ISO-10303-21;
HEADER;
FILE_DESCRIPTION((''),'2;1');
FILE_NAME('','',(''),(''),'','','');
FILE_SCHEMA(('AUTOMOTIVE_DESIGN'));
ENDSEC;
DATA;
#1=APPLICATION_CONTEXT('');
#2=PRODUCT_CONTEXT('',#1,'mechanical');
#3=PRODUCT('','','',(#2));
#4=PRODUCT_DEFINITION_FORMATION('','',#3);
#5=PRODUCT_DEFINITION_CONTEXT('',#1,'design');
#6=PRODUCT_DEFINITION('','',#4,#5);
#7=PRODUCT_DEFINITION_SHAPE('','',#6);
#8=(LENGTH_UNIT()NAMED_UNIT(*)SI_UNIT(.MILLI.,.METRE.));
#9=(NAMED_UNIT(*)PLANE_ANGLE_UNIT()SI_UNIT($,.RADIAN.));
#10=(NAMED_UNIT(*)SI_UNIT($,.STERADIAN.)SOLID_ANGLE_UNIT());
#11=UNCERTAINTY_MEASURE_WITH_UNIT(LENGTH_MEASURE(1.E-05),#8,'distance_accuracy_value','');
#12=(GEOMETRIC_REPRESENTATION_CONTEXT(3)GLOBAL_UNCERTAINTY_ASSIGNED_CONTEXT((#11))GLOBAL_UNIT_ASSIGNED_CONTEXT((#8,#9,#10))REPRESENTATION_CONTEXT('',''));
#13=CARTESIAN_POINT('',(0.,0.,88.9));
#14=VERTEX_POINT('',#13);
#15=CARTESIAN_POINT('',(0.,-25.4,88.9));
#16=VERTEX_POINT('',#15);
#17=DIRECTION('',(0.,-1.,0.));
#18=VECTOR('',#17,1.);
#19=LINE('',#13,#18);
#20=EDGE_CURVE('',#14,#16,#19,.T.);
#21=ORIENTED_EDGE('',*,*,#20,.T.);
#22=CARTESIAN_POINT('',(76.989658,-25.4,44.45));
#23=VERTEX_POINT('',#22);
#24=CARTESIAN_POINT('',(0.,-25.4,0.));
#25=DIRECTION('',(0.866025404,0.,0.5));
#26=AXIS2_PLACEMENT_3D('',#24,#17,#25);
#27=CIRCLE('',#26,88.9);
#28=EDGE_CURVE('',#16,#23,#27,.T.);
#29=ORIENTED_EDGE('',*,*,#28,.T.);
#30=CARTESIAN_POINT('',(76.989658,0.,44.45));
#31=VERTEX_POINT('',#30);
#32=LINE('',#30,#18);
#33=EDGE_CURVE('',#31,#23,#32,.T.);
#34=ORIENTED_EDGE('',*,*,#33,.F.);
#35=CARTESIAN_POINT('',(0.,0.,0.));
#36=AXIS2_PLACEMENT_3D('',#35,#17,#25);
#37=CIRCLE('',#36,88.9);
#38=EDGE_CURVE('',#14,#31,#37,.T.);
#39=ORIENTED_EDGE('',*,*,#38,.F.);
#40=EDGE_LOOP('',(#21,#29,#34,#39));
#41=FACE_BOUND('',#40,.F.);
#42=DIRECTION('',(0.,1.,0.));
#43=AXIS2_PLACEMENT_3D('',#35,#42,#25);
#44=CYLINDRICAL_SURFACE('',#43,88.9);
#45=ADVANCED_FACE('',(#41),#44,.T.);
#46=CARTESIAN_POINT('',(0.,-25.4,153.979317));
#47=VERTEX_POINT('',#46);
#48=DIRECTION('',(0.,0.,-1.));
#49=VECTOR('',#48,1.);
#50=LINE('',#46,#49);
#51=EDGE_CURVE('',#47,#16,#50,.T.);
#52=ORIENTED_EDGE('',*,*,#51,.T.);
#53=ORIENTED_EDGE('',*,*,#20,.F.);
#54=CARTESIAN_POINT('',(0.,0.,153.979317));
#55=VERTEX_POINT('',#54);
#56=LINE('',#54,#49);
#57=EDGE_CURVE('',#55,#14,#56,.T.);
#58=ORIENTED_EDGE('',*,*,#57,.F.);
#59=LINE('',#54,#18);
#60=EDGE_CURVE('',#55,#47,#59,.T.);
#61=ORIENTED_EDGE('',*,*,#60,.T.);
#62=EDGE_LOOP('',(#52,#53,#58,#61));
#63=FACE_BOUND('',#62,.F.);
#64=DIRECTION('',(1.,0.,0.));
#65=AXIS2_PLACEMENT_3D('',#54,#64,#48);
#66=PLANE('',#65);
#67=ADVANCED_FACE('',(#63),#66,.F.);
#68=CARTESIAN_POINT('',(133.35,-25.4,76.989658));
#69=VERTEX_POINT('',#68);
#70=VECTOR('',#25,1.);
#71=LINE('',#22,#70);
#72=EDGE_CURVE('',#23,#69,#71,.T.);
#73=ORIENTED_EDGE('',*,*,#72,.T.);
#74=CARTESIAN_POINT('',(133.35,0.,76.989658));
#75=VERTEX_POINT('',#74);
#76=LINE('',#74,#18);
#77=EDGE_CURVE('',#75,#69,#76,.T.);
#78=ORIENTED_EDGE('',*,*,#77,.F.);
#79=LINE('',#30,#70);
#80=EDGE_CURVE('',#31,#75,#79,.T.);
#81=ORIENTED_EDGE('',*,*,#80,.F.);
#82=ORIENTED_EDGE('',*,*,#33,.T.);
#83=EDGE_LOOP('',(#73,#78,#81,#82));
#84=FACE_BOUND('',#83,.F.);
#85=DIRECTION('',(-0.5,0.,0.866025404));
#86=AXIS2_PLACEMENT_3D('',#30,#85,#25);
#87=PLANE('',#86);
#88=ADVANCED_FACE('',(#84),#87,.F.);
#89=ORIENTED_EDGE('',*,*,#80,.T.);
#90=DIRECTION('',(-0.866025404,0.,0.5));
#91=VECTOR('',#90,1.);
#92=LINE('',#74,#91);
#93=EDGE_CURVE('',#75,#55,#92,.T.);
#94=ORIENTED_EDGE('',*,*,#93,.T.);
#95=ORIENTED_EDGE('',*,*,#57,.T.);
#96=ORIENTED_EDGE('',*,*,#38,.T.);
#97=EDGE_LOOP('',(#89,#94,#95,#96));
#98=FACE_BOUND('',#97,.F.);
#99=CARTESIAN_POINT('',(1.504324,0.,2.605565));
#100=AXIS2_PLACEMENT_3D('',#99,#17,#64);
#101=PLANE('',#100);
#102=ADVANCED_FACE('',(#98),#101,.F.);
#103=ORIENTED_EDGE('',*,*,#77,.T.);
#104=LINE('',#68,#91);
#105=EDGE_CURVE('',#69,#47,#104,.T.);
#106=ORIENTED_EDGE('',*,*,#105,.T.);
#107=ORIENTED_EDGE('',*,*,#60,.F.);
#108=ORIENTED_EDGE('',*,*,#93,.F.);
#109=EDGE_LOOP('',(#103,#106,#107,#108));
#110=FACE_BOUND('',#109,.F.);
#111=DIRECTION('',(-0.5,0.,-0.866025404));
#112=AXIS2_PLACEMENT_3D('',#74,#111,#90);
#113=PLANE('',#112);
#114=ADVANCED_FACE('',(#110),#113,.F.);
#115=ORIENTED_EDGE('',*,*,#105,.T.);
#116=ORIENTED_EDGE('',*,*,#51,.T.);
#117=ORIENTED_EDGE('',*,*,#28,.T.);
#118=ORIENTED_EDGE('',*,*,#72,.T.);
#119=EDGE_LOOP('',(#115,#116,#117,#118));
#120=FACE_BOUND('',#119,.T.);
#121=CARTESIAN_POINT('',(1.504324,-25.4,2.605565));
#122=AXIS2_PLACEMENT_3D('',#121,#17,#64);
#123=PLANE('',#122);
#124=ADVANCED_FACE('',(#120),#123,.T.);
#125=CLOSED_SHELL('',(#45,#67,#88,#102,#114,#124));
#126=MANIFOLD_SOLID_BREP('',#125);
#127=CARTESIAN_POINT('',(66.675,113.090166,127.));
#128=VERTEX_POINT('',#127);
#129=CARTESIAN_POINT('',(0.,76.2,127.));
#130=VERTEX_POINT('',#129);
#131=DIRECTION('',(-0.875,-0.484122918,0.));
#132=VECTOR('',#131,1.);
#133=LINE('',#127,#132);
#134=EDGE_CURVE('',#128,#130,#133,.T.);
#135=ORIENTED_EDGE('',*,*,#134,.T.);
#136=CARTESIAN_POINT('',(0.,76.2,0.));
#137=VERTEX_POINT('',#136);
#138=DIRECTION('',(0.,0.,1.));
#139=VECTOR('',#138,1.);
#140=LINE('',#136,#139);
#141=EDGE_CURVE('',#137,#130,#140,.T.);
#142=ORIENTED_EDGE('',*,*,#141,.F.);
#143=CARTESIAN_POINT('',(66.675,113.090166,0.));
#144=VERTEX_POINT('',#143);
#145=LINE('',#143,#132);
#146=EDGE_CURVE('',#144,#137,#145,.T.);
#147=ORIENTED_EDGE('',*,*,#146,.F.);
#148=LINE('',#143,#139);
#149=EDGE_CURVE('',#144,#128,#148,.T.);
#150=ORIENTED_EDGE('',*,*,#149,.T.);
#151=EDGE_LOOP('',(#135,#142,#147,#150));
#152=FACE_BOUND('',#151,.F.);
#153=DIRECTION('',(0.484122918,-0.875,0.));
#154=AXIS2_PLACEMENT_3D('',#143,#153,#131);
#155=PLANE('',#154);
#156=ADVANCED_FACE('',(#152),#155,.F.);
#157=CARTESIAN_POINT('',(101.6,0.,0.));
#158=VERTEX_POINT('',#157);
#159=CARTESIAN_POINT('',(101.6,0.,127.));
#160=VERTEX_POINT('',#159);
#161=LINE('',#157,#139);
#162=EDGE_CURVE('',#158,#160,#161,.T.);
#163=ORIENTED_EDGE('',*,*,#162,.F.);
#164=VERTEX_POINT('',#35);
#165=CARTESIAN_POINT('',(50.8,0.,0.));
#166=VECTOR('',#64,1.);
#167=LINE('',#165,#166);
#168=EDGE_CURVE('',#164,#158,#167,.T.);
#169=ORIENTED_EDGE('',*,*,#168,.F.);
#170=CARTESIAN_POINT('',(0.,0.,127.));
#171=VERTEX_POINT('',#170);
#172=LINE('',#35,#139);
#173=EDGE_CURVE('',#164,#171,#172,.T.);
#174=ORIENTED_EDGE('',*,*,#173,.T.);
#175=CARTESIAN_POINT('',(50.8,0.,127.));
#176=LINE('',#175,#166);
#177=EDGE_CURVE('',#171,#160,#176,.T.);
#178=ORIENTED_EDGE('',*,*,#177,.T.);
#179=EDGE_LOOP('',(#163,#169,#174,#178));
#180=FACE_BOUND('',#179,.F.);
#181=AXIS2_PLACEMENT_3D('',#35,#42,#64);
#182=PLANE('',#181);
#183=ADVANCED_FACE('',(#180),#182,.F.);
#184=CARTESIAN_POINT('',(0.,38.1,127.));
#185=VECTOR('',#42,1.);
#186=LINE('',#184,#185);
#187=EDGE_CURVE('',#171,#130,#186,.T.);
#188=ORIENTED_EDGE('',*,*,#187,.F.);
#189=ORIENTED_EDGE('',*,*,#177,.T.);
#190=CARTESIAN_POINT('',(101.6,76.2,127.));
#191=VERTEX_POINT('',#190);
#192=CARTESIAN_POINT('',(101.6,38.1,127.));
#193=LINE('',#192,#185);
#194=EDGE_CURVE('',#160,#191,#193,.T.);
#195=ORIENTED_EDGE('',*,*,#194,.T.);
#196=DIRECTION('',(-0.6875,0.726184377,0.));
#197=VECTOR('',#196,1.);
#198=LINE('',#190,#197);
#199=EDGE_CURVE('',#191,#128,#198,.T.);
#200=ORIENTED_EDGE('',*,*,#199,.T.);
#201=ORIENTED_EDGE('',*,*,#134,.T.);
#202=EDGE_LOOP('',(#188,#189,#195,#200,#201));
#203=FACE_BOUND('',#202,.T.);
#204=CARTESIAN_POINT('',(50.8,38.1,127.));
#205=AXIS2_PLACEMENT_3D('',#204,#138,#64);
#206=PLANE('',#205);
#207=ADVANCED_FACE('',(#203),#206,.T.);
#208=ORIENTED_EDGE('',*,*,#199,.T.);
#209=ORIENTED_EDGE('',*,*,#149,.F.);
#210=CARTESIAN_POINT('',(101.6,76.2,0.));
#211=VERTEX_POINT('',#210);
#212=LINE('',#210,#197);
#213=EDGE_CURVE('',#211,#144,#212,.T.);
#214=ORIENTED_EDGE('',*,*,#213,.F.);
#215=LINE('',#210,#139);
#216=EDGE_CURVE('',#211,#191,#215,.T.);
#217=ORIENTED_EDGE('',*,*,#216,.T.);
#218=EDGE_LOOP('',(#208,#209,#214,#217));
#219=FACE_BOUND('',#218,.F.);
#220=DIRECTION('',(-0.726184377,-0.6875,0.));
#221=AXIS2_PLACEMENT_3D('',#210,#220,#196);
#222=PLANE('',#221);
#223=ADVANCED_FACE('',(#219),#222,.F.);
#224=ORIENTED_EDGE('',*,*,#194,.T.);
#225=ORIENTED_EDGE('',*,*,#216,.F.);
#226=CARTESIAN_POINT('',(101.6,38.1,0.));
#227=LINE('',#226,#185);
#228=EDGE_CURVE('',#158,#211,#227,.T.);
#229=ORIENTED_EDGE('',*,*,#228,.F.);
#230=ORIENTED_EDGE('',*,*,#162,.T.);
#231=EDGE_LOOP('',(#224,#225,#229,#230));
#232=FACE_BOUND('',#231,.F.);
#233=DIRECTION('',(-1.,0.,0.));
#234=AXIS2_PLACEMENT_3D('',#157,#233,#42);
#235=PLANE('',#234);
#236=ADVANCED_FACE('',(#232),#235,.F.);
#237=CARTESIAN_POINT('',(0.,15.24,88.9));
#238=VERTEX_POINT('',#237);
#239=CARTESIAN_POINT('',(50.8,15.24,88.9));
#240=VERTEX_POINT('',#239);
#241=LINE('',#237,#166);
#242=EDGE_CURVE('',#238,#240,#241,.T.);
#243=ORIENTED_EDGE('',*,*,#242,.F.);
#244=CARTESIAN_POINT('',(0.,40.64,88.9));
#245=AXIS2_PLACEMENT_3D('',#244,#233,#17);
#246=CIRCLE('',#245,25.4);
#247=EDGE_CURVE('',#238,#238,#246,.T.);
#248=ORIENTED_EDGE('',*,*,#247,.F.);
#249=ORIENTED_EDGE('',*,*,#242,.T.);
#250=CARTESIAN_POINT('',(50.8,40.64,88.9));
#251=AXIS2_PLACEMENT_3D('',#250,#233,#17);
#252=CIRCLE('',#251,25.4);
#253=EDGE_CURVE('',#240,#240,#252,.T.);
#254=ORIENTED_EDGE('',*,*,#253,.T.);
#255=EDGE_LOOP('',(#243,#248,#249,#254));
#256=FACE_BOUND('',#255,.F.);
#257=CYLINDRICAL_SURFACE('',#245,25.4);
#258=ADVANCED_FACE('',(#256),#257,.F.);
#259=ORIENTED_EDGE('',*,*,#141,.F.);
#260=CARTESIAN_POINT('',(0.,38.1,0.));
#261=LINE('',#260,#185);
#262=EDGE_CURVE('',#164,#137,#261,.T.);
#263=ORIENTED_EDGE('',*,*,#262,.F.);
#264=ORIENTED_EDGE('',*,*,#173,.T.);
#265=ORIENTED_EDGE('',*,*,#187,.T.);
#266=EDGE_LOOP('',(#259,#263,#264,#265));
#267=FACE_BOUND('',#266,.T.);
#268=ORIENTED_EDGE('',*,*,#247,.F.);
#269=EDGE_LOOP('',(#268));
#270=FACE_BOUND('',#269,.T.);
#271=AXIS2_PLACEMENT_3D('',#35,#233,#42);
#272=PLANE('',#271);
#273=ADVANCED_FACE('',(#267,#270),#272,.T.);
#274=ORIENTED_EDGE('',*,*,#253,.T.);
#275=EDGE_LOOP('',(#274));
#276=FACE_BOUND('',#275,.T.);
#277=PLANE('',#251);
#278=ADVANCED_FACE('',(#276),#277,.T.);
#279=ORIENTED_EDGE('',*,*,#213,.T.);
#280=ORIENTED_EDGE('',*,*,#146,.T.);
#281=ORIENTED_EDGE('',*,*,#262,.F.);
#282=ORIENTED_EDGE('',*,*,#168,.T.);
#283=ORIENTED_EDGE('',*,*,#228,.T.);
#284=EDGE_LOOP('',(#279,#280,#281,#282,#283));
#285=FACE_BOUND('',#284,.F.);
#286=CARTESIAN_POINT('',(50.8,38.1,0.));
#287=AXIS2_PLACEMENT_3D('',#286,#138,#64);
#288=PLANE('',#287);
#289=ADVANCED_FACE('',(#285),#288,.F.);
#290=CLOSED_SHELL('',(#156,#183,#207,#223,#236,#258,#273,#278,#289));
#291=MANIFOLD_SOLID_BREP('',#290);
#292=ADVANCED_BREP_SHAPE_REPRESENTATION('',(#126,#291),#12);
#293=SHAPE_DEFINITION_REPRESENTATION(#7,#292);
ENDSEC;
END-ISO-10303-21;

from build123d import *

# Parameters (mm, degrees)
F1_W     = 101.6
F1_H     = 76.2
F2_DEPTH = 127
F3_R     = 25.4
F4_DEPTH = 50.8
F5_DEPTH = 25.4


with BuildPart() as f2:
    # F1 (on Top) → F2 (new body)
    with BuildSketch(Plane.XY):
        with Locations((50.8, 38.1)):
            Rectangle(F1_W, F1_H)
        Polygon((66.675, 113.0901663726), (0, 76.2), (101.6, 76.2), align=None)
    extrude(amount=F2_DEPTH)

    # F3 (on face) → F4 (cut)
    with BuildSketch(Plane(origin=(0, 0, 0), x_dir=(0, -1, 0), z_dir=(-1, 0, 0))):
        with Locations((-40.64, 88.9)):
            Circle(F3_R)
    extrude(amount=-F4_DEPTH, mode=Mode.SUBTRACT)


with BuildPart() as f5:
    # F0 (on Front) → F5 (new body)
    with BuildSketch(Plane.XZ):
        with BuildLine():
            ThreePointArc((0, 88.9), (-62.8617928475, -62.8617928475), (88.9, 0))
            ThreePointArc((88.9, 0), (85.8708059571, 23.0090131096), (76.9896583964, 44.45))
            Line((76.9896583964, 44.45), (0, 0))
            Line((0, 0), (0, 88.9))
        make_face()
        with BuildLine():
            Line((0, 0), (76.9896583964, 44.45))
            ThreePointArc((76.9896583964, 44.45), (44.45, 76.9896583964), (0, 88.9))
            Line((0, 88.9), (0, 0))
        make_face()
        with BuildLine():
            ThreePointArc((0, 88.9), (44.45, 76.9896583964), (76.9896583964, 44.45))
            Line((76.9896583964, 44.45), (133.35, 76.9896583964))
            Line((133.35, 76.9896583964), (0, 153.9793167929))
            Line((0, 153.9793167929), (0, 88.9))
        make_face()
    extrude(amount=F5_DEPTH)


solid = Compound([f2.part, f5.part])
